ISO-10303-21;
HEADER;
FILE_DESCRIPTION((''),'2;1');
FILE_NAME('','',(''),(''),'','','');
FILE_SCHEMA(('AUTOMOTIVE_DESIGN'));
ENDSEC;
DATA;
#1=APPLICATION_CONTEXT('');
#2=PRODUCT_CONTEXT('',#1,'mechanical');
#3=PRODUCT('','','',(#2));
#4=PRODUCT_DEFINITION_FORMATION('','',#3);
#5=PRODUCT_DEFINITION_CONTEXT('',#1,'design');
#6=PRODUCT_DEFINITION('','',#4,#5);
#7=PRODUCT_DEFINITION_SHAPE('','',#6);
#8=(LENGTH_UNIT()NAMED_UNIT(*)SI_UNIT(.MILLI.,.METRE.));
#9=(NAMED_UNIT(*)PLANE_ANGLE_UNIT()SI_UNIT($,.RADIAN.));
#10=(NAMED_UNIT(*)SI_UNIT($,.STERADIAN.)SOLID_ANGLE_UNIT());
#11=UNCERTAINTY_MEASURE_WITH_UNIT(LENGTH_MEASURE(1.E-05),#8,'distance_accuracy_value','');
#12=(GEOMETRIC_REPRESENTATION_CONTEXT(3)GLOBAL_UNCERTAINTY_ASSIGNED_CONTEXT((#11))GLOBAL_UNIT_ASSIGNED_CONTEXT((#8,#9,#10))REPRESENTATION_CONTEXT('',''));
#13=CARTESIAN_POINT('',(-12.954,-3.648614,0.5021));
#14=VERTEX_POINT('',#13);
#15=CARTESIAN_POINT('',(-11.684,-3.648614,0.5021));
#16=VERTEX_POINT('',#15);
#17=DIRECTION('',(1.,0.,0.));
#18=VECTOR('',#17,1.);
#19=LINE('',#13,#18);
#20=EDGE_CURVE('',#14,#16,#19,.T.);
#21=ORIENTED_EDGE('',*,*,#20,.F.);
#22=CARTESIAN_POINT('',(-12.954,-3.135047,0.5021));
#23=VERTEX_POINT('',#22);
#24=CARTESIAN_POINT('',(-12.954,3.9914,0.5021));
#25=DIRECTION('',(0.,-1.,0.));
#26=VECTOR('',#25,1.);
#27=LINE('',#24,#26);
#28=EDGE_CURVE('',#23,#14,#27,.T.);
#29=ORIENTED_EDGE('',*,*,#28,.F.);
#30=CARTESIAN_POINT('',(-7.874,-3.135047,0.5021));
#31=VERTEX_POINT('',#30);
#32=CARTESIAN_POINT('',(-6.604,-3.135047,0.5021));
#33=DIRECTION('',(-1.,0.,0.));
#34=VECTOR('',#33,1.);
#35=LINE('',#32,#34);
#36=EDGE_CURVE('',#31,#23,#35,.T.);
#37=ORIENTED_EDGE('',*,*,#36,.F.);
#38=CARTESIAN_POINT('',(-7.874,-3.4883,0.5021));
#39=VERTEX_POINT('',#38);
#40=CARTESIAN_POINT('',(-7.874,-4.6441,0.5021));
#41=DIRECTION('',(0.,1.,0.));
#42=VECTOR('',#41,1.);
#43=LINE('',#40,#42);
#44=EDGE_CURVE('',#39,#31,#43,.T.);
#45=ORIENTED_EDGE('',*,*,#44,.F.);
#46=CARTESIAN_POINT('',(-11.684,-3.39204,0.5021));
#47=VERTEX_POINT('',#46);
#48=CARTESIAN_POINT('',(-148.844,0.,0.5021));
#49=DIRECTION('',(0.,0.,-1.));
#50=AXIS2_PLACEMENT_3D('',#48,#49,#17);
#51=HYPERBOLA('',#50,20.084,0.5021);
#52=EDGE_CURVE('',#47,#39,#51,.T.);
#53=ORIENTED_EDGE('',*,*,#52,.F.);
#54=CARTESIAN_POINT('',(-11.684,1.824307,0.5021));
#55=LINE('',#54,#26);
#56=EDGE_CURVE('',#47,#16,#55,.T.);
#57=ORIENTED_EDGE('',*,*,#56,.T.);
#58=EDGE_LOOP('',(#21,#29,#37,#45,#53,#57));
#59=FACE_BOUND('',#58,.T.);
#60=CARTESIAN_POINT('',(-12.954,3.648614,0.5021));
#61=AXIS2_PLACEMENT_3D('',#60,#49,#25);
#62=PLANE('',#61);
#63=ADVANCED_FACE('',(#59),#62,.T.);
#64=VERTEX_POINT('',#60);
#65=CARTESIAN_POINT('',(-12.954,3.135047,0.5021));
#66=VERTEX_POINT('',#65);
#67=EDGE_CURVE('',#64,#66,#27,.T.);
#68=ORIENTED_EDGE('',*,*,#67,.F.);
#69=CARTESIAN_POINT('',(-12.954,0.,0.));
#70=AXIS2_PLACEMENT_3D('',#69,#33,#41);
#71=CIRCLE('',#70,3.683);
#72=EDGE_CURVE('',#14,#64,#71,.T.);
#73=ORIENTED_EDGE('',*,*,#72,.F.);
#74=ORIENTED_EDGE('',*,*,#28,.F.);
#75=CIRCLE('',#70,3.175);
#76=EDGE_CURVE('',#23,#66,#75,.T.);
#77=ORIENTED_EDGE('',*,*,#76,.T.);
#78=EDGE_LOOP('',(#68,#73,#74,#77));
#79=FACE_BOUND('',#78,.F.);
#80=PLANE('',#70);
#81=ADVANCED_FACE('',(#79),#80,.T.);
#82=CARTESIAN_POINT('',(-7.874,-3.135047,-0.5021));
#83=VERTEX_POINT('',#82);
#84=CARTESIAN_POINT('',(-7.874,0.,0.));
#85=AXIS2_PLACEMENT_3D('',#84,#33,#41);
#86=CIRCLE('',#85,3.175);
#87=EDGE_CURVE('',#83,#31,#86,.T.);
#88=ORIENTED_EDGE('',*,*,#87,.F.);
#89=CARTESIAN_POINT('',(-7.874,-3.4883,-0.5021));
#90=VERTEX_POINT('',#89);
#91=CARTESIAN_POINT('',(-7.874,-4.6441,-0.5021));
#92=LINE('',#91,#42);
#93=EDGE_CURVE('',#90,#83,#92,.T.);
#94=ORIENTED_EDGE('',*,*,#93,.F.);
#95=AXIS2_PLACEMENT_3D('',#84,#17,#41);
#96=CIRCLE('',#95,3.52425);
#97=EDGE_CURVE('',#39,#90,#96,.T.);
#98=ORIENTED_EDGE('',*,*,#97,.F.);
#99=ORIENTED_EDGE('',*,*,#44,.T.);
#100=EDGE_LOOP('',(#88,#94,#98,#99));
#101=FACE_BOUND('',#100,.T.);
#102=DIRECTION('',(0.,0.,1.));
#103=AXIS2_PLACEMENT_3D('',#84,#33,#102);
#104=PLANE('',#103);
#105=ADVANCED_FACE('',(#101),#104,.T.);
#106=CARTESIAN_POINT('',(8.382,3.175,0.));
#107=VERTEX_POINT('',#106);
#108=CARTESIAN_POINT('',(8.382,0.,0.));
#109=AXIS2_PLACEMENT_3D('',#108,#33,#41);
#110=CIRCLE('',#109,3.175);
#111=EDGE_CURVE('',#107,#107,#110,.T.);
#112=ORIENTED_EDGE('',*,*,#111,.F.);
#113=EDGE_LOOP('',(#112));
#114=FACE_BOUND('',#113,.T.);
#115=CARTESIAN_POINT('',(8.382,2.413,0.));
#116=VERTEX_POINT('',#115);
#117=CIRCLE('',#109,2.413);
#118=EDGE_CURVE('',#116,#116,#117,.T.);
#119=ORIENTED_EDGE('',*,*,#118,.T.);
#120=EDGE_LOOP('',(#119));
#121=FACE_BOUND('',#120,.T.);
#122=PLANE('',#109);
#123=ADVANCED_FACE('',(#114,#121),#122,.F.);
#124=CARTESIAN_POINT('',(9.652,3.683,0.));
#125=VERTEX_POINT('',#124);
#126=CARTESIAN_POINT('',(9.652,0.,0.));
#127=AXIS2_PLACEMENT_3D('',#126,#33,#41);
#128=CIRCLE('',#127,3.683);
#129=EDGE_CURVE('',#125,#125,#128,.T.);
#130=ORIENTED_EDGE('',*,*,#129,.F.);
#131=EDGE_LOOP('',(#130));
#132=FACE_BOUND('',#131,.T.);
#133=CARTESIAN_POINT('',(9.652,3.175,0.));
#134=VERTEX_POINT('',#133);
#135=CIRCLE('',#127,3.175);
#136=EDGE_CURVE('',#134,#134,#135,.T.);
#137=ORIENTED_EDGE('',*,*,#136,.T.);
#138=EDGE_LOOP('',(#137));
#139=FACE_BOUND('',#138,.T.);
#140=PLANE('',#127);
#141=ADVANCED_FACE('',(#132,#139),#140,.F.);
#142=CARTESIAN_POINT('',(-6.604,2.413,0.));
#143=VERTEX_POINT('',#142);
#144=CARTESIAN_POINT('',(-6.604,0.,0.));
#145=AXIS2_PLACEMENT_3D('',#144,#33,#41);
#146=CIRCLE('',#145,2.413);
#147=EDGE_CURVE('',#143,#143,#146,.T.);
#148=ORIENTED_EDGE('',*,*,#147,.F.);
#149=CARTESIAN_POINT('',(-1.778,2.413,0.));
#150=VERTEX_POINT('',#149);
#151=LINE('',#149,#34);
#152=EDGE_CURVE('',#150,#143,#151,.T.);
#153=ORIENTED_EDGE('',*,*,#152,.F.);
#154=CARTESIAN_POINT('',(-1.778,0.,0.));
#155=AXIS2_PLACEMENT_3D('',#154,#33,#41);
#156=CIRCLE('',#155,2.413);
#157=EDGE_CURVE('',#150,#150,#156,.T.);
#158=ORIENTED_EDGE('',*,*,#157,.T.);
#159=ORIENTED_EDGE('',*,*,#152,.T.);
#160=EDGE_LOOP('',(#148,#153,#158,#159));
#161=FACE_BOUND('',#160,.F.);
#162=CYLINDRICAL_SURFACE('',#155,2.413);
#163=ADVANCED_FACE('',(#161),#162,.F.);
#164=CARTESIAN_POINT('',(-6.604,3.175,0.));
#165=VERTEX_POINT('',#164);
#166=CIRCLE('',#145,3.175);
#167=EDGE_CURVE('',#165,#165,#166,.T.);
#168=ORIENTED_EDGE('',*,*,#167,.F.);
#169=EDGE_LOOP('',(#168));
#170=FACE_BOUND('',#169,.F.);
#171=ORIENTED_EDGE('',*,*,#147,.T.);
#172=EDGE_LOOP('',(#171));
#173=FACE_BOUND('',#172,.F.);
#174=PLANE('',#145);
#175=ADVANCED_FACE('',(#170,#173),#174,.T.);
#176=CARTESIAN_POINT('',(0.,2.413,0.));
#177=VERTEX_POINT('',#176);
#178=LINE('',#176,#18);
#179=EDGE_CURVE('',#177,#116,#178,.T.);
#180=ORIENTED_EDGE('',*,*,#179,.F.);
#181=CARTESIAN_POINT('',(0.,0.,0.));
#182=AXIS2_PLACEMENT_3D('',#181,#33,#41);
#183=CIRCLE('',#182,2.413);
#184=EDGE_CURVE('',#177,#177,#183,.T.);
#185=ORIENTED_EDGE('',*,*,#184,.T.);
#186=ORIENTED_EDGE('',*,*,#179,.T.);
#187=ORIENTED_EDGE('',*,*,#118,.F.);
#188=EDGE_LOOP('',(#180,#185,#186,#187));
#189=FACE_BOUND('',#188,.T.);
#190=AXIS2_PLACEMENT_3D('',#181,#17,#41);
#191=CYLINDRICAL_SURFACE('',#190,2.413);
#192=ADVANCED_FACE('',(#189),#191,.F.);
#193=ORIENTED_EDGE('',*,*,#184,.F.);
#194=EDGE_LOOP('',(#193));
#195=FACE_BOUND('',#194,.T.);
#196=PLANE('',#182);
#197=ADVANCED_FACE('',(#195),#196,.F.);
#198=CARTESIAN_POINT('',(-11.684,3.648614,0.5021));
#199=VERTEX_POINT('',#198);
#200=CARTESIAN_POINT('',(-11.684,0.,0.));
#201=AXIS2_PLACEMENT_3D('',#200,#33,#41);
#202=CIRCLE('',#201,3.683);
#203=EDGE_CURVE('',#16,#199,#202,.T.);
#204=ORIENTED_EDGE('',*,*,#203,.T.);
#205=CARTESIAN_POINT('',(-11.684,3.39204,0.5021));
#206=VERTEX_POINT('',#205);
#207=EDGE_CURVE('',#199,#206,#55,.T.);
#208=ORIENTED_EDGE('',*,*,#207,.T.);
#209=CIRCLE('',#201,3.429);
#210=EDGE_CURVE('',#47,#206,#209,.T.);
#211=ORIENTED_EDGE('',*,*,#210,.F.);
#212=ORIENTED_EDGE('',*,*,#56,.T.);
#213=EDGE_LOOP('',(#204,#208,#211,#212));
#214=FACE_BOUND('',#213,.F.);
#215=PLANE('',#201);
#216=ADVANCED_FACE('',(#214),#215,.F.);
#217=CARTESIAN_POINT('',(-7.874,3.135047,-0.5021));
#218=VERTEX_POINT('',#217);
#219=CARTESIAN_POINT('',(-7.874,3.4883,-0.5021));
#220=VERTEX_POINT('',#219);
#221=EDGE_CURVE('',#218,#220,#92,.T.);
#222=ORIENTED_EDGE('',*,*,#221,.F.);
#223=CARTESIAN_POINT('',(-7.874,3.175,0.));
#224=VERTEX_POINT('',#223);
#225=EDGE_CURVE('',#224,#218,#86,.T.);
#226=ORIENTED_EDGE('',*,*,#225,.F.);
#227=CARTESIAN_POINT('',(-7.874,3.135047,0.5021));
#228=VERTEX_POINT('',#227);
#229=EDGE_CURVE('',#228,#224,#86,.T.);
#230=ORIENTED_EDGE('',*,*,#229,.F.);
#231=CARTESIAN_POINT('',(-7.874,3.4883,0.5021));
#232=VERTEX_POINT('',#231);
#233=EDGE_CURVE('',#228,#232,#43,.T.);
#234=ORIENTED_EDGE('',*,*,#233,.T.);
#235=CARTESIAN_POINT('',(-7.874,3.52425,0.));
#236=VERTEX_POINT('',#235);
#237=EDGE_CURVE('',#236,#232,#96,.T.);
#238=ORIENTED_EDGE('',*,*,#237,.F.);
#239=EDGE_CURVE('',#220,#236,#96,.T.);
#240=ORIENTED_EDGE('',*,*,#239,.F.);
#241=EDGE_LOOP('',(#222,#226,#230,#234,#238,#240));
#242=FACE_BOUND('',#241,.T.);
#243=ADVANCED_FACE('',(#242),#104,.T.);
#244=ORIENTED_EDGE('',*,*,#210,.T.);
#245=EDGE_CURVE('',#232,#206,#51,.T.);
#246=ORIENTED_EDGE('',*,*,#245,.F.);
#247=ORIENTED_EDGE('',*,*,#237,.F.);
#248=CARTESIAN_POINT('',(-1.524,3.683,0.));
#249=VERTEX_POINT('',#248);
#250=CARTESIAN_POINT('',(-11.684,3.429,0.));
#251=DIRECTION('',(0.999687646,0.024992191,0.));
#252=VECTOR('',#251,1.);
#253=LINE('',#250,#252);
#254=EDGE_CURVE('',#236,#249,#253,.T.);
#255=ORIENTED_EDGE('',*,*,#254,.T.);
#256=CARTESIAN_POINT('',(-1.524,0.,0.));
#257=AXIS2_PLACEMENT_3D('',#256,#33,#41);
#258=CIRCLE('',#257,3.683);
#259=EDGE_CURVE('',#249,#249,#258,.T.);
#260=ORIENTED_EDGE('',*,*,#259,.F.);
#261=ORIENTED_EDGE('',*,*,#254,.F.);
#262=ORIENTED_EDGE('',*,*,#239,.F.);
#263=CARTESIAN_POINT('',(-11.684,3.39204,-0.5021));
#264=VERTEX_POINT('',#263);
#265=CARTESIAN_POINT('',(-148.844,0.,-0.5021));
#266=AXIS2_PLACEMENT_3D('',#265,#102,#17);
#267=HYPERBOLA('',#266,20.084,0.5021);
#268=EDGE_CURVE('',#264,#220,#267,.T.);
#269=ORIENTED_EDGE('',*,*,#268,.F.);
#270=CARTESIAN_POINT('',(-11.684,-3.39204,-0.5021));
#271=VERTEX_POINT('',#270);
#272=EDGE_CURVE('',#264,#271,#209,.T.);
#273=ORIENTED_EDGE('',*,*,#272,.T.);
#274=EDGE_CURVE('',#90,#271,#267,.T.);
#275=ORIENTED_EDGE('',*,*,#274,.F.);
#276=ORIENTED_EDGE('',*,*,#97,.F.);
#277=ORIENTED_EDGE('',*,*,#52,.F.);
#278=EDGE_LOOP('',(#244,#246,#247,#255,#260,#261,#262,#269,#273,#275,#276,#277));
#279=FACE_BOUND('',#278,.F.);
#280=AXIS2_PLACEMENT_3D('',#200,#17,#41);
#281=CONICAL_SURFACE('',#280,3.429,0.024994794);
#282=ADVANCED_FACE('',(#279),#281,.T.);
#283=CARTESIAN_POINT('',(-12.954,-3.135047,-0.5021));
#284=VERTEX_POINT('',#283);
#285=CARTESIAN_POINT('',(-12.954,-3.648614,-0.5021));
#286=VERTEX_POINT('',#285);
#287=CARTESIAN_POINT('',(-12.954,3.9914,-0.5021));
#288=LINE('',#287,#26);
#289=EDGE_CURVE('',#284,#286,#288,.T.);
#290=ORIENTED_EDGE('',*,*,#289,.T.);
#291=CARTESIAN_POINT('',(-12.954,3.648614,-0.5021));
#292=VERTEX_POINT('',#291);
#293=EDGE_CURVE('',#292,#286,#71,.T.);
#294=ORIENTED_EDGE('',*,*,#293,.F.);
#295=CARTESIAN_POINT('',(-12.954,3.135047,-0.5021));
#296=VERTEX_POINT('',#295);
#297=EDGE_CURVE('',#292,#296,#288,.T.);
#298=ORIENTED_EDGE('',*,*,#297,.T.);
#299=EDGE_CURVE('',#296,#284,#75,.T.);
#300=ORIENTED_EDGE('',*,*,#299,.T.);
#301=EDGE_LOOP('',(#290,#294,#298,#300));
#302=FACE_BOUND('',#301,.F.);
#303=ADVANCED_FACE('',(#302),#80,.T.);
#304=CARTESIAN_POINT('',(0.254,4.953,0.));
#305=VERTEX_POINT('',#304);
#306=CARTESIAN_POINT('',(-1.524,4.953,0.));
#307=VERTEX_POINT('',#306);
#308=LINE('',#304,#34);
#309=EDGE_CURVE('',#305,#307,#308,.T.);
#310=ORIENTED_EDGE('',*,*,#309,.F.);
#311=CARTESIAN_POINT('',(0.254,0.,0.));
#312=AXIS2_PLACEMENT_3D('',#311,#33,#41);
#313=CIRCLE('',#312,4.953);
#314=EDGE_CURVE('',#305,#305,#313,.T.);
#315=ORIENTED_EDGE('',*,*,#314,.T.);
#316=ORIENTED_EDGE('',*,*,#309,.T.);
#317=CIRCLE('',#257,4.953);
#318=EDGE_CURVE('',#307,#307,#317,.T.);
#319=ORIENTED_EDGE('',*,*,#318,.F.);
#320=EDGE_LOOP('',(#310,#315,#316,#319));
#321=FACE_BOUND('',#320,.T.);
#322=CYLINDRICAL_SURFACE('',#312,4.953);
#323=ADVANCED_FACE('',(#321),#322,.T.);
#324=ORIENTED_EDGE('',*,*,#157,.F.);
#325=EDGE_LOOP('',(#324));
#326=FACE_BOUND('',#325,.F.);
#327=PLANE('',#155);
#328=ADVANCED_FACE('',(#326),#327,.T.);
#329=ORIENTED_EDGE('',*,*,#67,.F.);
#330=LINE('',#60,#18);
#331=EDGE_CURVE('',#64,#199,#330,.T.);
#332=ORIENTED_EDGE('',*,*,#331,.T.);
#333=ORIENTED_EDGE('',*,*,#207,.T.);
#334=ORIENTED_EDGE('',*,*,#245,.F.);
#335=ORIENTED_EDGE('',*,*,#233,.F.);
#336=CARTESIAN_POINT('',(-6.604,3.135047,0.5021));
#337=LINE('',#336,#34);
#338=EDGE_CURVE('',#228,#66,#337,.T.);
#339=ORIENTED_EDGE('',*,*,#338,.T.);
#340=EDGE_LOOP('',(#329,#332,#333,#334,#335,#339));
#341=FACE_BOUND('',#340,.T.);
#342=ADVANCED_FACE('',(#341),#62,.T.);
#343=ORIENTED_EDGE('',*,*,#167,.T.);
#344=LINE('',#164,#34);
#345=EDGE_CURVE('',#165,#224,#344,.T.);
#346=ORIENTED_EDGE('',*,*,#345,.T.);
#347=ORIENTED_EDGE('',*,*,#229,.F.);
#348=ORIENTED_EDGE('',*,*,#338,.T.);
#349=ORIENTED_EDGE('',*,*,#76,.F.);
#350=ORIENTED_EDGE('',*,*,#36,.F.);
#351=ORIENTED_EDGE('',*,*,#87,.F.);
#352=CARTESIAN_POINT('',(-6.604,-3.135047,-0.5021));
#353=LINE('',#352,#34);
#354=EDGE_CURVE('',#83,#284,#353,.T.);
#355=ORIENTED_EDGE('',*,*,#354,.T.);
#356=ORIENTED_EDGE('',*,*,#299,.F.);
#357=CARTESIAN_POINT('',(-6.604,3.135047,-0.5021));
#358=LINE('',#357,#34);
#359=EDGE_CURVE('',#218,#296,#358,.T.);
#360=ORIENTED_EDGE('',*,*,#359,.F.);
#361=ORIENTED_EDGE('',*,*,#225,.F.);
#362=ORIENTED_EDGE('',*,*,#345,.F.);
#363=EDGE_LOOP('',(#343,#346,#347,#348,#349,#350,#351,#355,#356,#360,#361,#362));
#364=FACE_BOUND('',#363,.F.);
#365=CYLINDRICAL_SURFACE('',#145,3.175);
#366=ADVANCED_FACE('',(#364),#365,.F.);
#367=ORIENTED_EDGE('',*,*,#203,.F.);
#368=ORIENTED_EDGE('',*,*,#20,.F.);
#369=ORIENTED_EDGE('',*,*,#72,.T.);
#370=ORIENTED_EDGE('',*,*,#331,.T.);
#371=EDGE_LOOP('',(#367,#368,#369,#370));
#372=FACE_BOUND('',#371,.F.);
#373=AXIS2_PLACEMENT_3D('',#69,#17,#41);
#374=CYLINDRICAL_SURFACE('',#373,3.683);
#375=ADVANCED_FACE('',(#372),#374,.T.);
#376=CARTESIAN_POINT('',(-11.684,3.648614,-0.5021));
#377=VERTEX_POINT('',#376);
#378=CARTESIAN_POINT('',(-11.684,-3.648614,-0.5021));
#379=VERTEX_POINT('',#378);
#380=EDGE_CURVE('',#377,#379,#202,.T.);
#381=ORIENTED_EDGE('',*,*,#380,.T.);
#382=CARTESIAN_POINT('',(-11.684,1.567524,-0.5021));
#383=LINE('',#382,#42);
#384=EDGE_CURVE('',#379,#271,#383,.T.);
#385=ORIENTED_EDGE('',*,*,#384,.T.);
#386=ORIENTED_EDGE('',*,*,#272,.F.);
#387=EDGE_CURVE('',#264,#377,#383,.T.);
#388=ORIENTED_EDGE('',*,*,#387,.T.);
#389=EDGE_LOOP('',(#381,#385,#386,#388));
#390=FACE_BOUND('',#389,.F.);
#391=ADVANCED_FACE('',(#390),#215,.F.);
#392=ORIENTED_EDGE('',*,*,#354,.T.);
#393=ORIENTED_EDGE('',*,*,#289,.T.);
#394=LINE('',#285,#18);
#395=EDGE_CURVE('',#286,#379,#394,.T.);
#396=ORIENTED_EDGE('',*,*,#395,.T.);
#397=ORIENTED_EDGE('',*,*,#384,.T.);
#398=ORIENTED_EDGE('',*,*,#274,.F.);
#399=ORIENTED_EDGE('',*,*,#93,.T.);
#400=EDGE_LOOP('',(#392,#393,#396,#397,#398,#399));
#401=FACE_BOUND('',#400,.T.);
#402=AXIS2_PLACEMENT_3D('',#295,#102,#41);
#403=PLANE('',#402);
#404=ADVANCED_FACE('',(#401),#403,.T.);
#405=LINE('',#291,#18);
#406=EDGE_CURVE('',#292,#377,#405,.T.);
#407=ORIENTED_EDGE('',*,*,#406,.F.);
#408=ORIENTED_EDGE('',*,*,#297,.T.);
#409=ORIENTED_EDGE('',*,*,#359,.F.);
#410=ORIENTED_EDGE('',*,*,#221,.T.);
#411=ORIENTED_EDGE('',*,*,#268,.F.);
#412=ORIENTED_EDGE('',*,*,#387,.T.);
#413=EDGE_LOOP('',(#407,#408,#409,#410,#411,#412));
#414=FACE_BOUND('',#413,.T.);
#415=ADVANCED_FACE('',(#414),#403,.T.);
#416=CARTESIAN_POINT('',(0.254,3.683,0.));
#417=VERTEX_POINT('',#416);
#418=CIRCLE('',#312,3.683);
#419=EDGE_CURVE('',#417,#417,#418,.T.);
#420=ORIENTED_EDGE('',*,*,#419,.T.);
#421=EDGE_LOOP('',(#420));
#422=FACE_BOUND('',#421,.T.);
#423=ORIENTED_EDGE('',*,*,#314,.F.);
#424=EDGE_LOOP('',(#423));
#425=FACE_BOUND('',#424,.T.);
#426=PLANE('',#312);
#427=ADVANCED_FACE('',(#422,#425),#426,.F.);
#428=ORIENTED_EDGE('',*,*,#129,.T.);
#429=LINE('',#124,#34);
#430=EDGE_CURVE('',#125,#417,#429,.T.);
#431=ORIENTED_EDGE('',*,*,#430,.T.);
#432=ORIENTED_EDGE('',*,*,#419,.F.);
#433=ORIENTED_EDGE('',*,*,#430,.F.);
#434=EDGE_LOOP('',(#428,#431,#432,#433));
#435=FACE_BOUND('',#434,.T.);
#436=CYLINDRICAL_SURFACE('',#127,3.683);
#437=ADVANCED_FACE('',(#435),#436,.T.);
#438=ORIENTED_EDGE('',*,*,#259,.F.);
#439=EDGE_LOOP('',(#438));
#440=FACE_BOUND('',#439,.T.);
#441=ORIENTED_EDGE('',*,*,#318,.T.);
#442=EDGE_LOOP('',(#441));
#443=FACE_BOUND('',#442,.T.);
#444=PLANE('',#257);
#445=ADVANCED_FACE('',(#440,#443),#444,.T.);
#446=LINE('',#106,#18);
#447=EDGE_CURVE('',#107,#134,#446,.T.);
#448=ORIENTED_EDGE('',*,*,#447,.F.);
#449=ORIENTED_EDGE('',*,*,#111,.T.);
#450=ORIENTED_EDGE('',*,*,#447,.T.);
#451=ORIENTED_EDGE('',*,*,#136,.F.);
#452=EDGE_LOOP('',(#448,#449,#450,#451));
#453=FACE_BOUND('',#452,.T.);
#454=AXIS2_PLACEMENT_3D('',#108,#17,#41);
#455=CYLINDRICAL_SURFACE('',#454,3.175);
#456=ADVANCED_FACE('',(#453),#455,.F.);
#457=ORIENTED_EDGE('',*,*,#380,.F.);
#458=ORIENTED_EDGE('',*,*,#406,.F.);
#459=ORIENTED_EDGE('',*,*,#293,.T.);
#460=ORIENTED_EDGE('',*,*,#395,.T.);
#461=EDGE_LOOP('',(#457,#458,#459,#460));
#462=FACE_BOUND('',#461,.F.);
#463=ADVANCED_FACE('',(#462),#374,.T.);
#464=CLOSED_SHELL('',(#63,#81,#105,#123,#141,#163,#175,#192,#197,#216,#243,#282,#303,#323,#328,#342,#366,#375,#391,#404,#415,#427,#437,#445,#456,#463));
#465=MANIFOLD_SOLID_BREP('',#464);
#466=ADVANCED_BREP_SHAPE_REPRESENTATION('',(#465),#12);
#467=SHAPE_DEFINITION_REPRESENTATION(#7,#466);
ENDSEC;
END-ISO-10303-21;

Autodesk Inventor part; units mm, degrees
ref_plane "YZ Plane" through (0, 0, 0) normal (1, 0, 0) x (0, 1, 0)
ref_plane "XZ Plane" through (0, 0, 0) normal (0, 1, 0) x (-1, 0, 0)
ref_plane "XY Plane" through (0, 0, 0) normal (0, 0, 1) x (1, 0, 0)
sketch "Sketch1" plane through (0, 0, 0) normal (0, 0, 1) x (1, 0, 0)
  line L0 (0, 0) -> (0, 2.413)
  line L1 (0, 2.413) -> (8.382, 2.413)
  line L2 (8.382, 2.413) -> (8.382, 3.175)
  line L3 (8.382, 3.175) -> (9.652, 3.175)
  line L4 (9.652, 3.175) -> (9.652, 3.683)
  line L5 (9.652, 3.683) -> (0.254, 3.683)
  line L6 (0.254, 3.683) -> (0.254, 4.953)
  line L7 (0.254, 4.953) -> (-1.524, 4.953)
  line L8 (-1.524, 4.953) -> (-1.524, 3.683)
  line L9 (0, 0) -> (-1.778, 0)
  line L10 (-1.778, 0) -> (-1.778, 2.413)
  line L11 (-1.778, 2.413) -> (-1.778, 2.413)
  line L12 (-1.778, 2.413) -> (-6.604, 2.413)
  line L13 (-6.604, 2.413) -> (-6.604, 3.175)
  line L14 (-6.604, 3.175) -> (-12.954, 3.175)
  line L15 (-12.954, 3.175) -> (-12.954, 3.683)
  line L16 (-12.954, 3.683) -> (-11.684, 3.683)
  line L17 (-11.684, 3.683) -> (-11.684, 3.429)
  line L18 (-11.684, 3.429) -> (-1.524, 3.683)
  dimension "d0" = 2.413
  dimension "d1" = 8.382
  dimension "d2" = 0.762
  dimension "d3" = 1.27
  dimension "d4" = 0.508
  dimension "d5" = 9.398
  dimension "d6" = 1.27
  dimension "d7" = 1.778
  dimension "d8" = 1.27
  dimension "d9" = 1.778
  dimension "d10" = 4.826
  dimension "d11" = 0.762
  dimension "d12" = 6.35
  dimension "d13" = 1.27
  dimension "d14" = 0.254
revolve "Revolution1" add sketch "Sketch1" angle 360 about axis through (0, 0, 0) along (-1, 0, 0)
sketch "Sketch2" plane through (-12.954, 0, 0) normal (-1, 0, 0) x (0, 0, 1)
  circle A0 centre (0, 0) radius 3.683 projected
  circle A1 centre (0, 0) radius 3.175 projected
  line L0 (-0.5021, 3.9914) -> (0.5021, 3.9914)
  line L1 (0.5021, 3.9914) -> (0.5021, -4.6441)
  line L2 (0.5021, -4.6441) -> (-0.5021, -4.6441)
  line L3 (-0.5021, -4.6441) -> (-0.5021, 3.9914)
extrude "Extrusion1" cut sketch "Sketch2" against normal blind 5.08 contours L1 A1 L3 A0 | A0 L3 L0 L1 | L1 L2 L3 A0 | A0 L3 A1 L1 | L1 A1 L3
properties part number "Axle" material "PBT Plastic"
